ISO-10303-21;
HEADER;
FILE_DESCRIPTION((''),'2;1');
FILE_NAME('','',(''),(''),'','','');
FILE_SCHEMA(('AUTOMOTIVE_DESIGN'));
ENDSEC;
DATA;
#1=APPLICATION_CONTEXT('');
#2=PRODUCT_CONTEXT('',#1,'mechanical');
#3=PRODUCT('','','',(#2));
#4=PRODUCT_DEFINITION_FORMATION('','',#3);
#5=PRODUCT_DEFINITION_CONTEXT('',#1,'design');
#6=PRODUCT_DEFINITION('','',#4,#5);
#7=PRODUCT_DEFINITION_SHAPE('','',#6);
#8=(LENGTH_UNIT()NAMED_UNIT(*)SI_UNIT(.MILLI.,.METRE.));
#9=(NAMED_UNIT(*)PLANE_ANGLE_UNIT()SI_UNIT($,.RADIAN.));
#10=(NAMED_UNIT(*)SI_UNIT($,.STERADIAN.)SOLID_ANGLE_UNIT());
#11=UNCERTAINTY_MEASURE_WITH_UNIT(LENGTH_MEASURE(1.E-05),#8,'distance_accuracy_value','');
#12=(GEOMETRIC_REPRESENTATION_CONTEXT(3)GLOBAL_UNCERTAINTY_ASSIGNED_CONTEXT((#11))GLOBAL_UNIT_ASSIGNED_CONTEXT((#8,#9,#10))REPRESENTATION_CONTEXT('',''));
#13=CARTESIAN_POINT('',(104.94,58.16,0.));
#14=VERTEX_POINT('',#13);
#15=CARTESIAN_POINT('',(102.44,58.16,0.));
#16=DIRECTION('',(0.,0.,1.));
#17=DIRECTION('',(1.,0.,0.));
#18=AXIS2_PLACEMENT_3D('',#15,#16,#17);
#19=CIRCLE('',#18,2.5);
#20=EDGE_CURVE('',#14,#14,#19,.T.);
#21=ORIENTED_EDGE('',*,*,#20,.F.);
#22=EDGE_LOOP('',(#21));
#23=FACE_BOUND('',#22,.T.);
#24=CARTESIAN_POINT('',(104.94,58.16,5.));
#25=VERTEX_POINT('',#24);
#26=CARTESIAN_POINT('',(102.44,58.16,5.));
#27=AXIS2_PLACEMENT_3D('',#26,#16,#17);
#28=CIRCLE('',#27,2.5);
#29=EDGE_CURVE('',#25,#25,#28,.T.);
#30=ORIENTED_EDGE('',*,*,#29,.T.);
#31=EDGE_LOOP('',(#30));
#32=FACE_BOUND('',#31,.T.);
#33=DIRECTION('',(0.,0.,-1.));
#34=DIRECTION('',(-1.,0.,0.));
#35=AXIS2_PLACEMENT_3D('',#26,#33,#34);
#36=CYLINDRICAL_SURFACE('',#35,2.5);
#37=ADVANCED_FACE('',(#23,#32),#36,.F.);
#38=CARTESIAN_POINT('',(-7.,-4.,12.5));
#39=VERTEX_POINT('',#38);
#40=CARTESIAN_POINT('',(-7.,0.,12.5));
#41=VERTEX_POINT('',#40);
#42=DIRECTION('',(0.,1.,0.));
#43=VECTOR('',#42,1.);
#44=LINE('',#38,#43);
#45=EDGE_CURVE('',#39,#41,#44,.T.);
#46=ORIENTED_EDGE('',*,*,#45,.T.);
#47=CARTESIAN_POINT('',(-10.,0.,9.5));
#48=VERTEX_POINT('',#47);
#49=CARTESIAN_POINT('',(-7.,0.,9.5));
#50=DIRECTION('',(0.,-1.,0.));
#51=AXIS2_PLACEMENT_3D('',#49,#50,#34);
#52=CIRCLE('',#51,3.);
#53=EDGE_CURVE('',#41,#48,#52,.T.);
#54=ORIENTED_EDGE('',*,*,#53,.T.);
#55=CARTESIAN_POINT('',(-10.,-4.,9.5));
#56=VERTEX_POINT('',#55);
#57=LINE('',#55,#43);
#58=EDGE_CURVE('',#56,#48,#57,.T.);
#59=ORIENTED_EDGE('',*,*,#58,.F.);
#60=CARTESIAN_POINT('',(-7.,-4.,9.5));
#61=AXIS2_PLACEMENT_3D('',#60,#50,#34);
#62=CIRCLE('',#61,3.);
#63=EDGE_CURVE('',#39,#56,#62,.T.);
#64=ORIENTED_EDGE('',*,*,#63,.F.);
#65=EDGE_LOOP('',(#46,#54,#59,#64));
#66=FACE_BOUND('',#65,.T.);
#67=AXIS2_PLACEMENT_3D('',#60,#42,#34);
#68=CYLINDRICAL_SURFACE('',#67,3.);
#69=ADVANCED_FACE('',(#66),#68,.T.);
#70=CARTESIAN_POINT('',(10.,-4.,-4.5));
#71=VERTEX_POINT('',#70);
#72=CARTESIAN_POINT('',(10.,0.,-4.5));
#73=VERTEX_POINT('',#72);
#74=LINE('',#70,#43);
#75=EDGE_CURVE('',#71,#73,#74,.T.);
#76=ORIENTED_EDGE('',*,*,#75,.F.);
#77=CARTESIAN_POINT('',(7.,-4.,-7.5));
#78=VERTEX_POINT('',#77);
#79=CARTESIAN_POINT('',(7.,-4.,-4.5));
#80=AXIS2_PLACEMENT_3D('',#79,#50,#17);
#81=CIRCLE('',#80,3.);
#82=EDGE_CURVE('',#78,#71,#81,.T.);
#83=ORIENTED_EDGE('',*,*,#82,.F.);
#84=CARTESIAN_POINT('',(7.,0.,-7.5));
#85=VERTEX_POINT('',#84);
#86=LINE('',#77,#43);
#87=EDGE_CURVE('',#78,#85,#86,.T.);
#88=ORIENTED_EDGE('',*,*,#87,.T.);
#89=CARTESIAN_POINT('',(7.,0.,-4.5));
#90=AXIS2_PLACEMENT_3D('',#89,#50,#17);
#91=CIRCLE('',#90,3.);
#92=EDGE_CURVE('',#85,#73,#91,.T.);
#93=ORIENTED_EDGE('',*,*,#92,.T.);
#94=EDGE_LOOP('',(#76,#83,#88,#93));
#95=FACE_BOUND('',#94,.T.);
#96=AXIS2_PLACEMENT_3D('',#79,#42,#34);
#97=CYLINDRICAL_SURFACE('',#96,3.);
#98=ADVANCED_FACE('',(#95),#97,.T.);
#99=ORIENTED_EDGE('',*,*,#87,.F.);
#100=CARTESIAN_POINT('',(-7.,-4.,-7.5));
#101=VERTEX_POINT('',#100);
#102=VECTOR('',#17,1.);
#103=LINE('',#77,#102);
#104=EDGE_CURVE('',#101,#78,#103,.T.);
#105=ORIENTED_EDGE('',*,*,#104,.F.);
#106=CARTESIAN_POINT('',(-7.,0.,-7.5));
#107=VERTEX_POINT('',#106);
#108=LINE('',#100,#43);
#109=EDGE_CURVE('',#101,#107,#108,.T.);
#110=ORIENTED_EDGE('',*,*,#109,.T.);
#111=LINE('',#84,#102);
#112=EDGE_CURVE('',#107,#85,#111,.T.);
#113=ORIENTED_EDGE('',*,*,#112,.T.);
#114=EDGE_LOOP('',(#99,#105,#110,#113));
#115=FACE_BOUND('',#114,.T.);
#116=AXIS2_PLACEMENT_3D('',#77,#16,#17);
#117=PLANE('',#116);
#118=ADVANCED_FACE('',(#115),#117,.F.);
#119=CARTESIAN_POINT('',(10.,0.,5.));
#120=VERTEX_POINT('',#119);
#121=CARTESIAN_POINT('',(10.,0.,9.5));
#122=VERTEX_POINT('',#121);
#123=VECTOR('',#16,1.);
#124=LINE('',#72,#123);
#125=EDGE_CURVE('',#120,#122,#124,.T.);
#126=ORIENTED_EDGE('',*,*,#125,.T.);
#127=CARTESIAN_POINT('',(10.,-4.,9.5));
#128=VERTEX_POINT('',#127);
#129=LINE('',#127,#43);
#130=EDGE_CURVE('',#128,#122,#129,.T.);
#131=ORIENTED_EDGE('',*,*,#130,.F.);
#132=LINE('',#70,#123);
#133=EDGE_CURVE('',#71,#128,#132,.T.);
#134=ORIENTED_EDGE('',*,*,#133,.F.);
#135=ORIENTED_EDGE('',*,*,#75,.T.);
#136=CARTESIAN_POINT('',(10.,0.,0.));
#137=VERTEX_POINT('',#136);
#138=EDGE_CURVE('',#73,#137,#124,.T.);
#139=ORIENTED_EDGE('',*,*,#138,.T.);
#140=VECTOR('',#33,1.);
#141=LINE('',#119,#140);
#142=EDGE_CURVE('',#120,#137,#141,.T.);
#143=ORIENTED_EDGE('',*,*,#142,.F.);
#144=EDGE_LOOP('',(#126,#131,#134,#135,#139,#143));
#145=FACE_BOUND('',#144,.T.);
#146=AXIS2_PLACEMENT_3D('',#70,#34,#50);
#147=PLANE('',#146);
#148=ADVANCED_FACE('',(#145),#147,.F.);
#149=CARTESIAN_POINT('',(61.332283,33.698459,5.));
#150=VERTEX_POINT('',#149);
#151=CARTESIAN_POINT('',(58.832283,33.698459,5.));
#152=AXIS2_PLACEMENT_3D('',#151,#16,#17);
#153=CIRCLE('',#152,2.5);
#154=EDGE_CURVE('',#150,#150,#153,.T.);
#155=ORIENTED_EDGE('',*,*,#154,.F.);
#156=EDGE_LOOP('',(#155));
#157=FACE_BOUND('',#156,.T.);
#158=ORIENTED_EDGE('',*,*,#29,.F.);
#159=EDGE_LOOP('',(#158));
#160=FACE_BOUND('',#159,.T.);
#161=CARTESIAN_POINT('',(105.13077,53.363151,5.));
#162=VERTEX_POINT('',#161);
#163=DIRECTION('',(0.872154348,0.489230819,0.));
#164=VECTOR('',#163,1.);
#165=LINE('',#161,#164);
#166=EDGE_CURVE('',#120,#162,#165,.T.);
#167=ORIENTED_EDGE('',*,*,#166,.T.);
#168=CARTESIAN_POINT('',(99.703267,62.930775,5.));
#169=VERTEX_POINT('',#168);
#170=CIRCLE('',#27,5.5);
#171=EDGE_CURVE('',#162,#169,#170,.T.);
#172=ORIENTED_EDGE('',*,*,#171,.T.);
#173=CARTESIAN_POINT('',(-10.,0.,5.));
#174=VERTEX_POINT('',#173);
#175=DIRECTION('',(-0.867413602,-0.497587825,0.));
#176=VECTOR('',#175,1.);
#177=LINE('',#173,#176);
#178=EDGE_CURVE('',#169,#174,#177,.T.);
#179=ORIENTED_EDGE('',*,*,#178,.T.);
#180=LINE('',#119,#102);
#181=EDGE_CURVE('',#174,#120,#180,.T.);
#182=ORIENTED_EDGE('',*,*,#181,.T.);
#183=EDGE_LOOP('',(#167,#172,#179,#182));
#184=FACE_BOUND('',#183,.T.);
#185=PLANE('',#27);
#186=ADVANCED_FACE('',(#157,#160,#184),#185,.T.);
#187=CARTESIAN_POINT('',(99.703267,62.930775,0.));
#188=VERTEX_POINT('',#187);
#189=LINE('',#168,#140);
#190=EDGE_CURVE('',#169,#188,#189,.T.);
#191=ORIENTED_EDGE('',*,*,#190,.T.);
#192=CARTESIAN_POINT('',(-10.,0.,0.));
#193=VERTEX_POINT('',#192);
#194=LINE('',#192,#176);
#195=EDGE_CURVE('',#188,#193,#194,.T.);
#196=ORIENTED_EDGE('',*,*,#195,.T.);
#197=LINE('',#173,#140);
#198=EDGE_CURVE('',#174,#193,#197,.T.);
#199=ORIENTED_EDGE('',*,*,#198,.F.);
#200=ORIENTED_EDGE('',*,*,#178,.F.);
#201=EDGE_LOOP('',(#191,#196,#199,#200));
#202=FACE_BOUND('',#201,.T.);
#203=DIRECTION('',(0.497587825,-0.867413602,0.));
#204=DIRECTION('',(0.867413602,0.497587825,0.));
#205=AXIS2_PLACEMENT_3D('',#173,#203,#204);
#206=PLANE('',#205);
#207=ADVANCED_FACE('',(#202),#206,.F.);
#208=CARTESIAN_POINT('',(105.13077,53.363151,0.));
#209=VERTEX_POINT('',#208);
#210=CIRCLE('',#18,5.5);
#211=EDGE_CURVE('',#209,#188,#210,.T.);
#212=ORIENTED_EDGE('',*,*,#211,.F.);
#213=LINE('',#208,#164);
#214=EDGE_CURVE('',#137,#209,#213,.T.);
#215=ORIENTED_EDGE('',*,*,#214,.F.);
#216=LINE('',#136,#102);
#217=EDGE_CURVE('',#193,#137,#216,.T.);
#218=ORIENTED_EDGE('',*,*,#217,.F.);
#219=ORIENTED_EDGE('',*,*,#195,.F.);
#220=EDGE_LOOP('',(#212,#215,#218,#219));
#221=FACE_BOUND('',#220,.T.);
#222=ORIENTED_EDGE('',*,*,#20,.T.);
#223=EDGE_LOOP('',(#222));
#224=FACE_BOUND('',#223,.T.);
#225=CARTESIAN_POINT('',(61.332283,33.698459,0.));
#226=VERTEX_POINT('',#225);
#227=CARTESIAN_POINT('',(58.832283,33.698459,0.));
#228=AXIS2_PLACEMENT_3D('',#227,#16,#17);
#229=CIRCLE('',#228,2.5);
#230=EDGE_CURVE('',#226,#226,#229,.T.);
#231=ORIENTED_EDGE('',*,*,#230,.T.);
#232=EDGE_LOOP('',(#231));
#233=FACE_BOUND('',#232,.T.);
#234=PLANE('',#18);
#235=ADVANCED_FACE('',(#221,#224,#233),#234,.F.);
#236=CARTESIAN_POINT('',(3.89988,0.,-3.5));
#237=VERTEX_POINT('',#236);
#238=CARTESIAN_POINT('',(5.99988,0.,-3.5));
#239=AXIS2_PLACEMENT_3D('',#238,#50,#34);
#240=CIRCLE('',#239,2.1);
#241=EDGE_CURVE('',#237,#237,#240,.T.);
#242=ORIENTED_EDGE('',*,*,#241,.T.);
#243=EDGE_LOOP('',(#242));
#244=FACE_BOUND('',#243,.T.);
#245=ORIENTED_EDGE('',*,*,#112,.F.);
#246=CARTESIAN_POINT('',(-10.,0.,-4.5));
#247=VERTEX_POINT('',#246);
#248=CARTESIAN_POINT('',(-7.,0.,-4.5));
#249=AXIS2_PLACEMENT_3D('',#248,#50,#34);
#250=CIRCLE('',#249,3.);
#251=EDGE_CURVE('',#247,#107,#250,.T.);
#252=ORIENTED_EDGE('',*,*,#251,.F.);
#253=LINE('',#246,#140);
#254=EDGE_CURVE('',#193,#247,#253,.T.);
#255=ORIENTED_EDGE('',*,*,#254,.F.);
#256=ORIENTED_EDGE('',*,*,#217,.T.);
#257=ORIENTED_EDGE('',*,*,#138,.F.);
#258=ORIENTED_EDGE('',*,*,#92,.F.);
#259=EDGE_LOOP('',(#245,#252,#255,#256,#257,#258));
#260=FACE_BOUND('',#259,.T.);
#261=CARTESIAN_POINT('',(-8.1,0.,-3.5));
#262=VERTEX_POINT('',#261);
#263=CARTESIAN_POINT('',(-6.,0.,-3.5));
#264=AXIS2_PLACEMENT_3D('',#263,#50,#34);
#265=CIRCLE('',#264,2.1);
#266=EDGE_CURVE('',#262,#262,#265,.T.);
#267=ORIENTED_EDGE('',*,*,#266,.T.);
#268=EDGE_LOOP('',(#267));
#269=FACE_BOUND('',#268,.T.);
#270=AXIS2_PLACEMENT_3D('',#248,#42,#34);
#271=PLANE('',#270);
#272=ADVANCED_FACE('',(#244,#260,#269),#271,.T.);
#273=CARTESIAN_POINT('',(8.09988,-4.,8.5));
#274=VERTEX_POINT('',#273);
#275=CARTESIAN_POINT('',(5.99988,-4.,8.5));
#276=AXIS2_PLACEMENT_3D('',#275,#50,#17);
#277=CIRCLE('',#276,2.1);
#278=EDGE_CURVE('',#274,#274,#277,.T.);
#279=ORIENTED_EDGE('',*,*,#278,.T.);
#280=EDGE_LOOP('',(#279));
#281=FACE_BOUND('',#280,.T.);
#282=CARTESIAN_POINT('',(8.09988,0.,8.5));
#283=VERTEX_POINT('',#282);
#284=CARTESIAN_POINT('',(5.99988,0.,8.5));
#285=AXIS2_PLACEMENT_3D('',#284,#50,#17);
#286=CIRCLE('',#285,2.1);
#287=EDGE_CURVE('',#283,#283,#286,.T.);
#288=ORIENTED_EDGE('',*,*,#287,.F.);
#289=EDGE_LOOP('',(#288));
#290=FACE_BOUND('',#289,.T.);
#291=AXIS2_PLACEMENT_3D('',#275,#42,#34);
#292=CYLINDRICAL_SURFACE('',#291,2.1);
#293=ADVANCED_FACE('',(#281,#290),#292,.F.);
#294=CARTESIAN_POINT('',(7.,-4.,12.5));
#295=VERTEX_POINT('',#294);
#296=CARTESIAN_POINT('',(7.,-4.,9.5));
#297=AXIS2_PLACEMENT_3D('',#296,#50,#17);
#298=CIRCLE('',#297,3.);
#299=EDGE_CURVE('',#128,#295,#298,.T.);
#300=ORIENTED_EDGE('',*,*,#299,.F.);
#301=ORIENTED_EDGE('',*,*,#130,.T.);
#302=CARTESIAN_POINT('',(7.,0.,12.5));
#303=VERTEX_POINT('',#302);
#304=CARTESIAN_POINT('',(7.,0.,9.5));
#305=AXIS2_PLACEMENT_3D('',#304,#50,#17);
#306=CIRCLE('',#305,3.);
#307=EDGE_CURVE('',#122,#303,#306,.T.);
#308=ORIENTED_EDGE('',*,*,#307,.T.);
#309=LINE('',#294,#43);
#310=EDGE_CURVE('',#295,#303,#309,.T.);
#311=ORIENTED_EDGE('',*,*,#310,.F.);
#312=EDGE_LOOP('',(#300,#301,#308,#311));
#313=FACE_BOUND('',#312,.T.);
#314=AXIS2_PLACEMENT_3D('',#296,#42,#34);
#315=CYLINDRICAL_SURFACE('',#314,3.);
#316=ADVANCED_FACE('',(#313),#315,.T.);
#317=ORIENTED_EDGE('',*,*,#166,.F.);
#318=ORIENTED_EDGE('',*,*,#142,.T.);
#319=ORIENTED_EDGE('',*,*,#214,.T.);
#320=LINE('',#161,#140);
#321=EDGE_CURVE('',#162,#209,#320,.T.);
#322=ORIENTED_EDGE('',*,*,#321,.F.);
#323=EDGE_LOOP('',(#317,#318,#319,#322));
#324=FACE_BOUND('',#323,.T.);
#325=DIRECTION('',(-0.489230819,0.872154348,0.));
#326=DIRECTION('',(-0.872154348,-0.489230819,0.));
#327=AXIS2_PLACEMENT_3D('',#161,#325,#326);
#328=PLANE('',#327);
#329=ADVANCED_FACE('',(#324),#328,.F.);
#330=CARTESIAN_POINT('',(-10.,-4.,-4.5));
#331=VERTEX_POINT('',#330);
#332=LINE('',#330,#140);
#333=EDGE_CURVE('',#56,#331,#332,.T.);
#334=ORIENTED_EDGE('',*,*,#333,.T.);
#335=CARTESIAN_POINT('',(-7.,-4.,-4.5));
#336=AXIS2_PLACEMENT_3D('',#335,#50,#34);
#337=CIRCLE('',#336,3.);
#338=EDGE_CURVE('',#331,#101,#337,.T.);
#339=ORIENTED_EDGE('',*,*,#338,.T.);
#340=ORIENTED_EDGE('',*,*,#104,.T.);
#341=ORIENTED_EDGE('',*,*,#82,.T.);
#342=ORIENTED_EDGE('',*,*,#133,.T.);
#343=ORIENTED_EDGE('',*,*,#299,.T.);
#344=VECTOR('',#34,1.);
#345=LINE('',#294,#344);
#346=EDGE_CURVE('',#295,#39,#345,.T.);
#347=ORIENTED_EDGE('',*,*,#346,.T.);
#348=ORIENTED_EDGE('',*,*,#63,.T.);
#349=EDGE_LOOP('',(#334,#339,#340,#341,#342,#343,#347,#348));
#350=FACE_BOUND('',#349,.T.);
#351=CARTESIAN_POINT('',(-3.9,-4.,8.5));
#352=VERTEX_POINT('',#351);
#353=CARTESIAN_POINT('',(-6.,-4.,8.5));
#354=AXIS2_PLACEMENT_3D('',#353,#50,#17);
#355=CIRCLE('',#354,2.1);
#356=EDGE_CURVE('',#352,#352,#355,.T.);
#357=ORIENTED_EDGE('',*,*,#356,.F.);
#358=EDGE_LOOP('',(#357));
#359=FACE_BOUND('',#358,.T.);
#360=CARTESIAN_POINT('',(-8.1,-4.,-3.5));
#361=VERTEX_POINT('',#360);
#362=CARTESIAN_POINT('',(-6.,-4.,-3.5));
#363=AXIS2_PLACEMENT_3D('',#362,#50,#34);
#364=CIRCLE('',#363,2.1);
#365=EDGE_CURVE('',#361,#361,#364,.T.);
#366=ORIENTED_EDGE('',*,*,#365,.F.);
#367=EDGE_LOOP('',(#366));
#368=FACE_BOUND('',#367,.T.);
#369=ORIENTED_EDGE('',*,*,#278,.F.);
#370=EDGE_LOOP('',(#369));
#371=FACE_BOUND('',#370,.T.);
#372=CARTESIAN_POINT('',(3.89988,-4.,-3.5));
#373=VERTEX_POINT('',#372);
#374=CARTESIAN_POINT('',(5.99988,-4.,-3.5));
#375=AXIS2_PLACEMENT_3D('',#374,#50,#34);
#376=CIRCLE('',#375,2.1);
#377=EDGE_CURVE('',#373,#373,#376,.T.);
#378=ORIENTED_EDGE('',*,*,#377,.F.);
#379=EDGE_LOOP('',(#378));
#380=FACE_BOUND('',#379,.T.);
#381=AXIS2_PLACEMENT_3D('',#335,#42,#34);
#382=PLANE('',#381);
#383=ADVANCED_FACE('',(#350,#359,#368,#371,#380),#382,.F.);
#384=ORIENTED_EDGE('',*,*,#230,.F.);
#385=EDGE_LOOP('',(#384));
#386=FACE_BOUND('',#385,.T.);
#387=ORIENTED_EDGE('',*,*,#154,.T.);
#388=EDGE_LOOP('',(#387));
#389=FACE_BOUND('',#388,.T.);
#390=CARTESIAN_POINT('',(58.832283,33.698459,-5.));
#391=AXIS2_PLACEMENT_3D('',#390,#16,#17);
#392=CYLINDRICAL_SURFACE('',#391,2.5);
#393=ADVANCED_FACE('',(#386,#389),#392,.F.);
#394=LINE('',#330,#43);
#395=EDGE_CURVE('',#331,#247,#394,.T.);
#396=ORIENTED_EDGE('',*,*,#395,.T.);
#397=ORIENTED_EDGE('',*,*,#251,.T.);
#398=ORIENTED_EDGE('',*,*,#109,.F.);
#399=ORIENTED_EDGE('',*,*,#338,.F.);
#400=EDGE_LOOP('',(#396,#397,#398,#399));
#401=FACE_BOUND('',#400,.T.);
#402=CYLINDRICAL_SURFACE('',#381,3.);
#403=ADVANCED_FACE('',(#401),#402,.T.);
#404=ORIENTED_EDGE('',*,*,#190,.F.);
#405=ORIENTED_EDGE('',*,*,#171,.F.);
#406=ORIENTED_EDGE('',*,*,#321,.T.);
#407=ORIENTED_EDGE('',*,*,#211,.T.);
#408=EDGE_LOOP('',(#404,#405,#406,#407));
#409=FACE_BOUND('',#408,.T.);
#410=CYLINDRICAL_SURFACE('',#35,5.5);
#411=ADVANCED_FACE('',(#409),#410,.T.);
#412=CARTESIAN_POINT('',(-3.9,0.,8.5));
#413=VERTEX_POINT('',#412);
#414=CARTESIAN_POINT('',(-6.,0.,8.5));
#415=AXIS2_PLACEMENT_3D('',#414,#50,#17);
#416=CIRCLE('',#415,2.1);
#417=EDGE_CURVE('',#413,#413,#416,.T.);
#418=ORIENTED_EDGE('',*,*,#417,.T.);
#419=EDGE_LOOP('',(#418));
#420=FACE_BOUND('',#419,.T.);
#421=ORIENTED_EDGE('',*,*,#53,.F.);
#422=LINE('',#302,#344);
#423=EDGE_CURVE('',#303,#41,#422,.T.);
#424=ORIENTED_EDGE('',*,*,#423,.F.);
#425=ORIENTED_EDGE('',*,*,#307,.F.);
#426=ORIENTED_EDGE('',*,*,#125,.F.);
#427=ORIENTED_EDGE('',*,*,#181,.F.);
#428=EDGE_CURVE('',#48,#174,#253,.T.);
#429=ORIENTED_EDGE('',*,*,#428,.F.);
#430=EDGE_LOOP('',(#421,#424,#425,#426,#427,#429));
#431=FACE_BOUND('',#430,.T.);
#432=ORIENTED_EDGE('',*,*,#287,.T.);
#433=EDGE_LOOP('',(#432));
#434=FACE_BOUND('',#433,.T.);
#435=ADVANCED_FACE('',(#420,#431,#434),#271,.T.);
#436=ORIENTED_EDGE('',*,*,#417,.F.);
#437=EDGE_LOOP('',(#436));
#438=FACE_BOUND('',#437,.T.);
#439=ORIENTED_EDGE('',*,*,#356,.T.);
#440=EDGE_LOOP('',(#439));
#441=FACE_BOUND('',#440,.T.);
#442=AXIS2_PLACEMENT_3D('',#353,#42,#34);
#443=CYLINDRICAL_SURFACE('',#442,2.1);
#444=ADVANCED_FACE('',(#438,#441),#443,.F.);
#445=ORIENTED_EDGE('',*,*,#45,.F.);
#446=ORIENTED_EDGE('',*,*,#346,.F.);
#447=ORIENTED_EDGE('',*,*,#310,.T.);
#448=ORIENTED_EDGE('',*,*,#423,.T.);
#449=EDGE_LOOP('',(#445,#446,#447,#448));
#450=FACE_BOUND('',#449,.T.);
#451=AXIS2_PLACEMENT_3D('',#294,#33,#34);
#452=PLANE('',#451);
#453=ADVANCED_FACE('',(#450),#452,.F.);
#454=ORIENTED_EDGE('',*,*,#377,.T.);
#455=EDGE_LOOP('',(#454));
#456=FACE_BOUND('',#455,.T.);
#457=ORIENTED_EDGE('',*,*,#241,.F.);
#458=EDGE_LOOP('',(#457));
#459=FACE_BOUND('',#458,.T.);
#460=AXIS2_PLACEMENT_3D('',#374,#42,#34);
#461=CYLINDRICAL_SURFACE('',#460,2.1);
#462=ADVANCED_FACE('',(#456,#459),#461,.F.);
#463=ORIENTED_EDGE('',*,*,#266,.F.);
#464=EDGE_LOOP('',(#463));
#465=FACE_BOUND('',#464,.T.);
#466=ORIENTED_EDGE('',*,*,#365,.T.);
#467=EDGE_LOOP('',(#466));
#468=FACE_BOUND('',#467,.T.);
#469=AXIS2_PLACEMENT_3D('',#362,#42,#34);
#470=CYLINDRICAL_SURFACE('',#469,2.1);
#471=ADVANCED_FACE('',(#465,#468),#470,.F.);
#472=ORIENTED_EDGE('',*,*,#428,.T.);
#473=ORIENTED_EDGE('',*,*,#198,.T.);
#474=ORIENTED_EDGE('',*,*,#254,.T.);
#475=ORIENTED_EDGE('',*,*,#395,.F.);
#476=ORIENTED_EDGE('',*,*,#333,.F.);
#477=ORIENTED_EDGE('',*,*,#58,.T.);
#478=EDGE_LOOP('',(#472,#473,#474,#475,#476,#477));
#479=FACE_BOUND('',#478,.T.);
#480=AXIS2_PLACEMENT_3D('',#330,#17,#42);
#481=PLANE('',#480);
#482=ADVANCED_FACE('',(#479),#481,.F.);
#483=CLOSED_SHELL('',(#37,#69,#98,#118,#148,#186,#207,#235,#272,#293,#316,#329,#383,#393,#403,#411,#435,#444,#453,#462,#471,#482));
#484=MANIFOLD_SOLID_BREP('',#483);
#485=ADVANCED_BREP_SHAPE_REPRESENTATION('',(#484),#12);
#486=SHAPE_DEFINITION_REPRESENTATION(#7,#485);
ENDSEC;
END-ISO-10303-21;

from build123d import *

# Parameters (mm, degrees)
SKETCH1_R           = 2.5
BOSS_EXTRUDE1_DEPTH = 5
SKETCH4_R           = 2.1
BOSS_EXTRUDE3_DEPTH = 4
SKETCH5_R           = 2.5
CUT_EXTRUDE1_DEPTH  = 10


with BuildPart() as part:
    # Sketch1 → Boss-Extrude1 (new body)
    with BuildSketch(Plane.XY):
        with BuildLine():
            Line((10, 0), (-10, 0))
            Line((-10, 0), (99.703266961, 62.930774809))
            ThreePointArc((99.703266961, 62.930774809), (107.223867063, 60.873782586), (105.130769502, 53.363151088))
            Line((105.130769502, 53.363151088), (10, 0))
        make_face()
        with Locations((102.44, 58.16)):
            Circle(SKETCH1_R, mode=Mode.SUBTRACT)
    extrude(amount=BOSS_EXTRUDE1_DEPTH)

    # Sketch4 → Boss-Extrude3 (add)
    with BuildSketch(Plane.XZ):
        with BuildLine():
            Line((7, -7.5), (-7, -7.5))
            ThreePointArc((-7, -7.5), (-9.121320344, -6.621320344), (-10, -4.5))
            Line((-10, -4.5), (-10, 9.5))
            ThreePointArc((-10, 9.5), (-9.121320344, 11.621320344), (-7, 12.5))
            Line((-7, 12.5), (7, 12.5))
            ThreePointArc((7, 12.5), (9.121320344, 11.621320344), (10, 9.5))
            Line((10, 9.5), (10, -4.5))
            ThreePointArc((10, -4.5), (9.121320344, -6.621320344), (7, -7.5))
        make_face()
        with Locations((-6, 8.5)):
            Circle(SKETCH4_R, mode=Mode.SUBTRACT)
        with Locations((5.99988022, 8.5)):
            Circle(SKETCH4_R, mode=Mode.SUBTRACT)
        with Locations(Location((5.99988022, -3.5, 0), (0, 0, 180))):
            Circle(SKETCH4_R, mode=Mode.SUBTRACT)
        with Locations(Location((-6, -3.5, 0), (0, 0, 180))):
            Circle(SKETCH4_R, mode=Mode.SUBTRACT)
    extrude(amount=BOSS_EXTRUDE3_DEPTH)

    # Sketch5 → Cut-Extrude1 (cut)
    with BuildSketch(Plane.XY.offset(5)):
        with Locations((58.832282615, 33.698459075)):
            Circle(SKETCH5_R)
    extrude(amount=-CUT_EXTRUDE1_DEPTH, mode=Mode.SUBTRACT)


solid = part.part
